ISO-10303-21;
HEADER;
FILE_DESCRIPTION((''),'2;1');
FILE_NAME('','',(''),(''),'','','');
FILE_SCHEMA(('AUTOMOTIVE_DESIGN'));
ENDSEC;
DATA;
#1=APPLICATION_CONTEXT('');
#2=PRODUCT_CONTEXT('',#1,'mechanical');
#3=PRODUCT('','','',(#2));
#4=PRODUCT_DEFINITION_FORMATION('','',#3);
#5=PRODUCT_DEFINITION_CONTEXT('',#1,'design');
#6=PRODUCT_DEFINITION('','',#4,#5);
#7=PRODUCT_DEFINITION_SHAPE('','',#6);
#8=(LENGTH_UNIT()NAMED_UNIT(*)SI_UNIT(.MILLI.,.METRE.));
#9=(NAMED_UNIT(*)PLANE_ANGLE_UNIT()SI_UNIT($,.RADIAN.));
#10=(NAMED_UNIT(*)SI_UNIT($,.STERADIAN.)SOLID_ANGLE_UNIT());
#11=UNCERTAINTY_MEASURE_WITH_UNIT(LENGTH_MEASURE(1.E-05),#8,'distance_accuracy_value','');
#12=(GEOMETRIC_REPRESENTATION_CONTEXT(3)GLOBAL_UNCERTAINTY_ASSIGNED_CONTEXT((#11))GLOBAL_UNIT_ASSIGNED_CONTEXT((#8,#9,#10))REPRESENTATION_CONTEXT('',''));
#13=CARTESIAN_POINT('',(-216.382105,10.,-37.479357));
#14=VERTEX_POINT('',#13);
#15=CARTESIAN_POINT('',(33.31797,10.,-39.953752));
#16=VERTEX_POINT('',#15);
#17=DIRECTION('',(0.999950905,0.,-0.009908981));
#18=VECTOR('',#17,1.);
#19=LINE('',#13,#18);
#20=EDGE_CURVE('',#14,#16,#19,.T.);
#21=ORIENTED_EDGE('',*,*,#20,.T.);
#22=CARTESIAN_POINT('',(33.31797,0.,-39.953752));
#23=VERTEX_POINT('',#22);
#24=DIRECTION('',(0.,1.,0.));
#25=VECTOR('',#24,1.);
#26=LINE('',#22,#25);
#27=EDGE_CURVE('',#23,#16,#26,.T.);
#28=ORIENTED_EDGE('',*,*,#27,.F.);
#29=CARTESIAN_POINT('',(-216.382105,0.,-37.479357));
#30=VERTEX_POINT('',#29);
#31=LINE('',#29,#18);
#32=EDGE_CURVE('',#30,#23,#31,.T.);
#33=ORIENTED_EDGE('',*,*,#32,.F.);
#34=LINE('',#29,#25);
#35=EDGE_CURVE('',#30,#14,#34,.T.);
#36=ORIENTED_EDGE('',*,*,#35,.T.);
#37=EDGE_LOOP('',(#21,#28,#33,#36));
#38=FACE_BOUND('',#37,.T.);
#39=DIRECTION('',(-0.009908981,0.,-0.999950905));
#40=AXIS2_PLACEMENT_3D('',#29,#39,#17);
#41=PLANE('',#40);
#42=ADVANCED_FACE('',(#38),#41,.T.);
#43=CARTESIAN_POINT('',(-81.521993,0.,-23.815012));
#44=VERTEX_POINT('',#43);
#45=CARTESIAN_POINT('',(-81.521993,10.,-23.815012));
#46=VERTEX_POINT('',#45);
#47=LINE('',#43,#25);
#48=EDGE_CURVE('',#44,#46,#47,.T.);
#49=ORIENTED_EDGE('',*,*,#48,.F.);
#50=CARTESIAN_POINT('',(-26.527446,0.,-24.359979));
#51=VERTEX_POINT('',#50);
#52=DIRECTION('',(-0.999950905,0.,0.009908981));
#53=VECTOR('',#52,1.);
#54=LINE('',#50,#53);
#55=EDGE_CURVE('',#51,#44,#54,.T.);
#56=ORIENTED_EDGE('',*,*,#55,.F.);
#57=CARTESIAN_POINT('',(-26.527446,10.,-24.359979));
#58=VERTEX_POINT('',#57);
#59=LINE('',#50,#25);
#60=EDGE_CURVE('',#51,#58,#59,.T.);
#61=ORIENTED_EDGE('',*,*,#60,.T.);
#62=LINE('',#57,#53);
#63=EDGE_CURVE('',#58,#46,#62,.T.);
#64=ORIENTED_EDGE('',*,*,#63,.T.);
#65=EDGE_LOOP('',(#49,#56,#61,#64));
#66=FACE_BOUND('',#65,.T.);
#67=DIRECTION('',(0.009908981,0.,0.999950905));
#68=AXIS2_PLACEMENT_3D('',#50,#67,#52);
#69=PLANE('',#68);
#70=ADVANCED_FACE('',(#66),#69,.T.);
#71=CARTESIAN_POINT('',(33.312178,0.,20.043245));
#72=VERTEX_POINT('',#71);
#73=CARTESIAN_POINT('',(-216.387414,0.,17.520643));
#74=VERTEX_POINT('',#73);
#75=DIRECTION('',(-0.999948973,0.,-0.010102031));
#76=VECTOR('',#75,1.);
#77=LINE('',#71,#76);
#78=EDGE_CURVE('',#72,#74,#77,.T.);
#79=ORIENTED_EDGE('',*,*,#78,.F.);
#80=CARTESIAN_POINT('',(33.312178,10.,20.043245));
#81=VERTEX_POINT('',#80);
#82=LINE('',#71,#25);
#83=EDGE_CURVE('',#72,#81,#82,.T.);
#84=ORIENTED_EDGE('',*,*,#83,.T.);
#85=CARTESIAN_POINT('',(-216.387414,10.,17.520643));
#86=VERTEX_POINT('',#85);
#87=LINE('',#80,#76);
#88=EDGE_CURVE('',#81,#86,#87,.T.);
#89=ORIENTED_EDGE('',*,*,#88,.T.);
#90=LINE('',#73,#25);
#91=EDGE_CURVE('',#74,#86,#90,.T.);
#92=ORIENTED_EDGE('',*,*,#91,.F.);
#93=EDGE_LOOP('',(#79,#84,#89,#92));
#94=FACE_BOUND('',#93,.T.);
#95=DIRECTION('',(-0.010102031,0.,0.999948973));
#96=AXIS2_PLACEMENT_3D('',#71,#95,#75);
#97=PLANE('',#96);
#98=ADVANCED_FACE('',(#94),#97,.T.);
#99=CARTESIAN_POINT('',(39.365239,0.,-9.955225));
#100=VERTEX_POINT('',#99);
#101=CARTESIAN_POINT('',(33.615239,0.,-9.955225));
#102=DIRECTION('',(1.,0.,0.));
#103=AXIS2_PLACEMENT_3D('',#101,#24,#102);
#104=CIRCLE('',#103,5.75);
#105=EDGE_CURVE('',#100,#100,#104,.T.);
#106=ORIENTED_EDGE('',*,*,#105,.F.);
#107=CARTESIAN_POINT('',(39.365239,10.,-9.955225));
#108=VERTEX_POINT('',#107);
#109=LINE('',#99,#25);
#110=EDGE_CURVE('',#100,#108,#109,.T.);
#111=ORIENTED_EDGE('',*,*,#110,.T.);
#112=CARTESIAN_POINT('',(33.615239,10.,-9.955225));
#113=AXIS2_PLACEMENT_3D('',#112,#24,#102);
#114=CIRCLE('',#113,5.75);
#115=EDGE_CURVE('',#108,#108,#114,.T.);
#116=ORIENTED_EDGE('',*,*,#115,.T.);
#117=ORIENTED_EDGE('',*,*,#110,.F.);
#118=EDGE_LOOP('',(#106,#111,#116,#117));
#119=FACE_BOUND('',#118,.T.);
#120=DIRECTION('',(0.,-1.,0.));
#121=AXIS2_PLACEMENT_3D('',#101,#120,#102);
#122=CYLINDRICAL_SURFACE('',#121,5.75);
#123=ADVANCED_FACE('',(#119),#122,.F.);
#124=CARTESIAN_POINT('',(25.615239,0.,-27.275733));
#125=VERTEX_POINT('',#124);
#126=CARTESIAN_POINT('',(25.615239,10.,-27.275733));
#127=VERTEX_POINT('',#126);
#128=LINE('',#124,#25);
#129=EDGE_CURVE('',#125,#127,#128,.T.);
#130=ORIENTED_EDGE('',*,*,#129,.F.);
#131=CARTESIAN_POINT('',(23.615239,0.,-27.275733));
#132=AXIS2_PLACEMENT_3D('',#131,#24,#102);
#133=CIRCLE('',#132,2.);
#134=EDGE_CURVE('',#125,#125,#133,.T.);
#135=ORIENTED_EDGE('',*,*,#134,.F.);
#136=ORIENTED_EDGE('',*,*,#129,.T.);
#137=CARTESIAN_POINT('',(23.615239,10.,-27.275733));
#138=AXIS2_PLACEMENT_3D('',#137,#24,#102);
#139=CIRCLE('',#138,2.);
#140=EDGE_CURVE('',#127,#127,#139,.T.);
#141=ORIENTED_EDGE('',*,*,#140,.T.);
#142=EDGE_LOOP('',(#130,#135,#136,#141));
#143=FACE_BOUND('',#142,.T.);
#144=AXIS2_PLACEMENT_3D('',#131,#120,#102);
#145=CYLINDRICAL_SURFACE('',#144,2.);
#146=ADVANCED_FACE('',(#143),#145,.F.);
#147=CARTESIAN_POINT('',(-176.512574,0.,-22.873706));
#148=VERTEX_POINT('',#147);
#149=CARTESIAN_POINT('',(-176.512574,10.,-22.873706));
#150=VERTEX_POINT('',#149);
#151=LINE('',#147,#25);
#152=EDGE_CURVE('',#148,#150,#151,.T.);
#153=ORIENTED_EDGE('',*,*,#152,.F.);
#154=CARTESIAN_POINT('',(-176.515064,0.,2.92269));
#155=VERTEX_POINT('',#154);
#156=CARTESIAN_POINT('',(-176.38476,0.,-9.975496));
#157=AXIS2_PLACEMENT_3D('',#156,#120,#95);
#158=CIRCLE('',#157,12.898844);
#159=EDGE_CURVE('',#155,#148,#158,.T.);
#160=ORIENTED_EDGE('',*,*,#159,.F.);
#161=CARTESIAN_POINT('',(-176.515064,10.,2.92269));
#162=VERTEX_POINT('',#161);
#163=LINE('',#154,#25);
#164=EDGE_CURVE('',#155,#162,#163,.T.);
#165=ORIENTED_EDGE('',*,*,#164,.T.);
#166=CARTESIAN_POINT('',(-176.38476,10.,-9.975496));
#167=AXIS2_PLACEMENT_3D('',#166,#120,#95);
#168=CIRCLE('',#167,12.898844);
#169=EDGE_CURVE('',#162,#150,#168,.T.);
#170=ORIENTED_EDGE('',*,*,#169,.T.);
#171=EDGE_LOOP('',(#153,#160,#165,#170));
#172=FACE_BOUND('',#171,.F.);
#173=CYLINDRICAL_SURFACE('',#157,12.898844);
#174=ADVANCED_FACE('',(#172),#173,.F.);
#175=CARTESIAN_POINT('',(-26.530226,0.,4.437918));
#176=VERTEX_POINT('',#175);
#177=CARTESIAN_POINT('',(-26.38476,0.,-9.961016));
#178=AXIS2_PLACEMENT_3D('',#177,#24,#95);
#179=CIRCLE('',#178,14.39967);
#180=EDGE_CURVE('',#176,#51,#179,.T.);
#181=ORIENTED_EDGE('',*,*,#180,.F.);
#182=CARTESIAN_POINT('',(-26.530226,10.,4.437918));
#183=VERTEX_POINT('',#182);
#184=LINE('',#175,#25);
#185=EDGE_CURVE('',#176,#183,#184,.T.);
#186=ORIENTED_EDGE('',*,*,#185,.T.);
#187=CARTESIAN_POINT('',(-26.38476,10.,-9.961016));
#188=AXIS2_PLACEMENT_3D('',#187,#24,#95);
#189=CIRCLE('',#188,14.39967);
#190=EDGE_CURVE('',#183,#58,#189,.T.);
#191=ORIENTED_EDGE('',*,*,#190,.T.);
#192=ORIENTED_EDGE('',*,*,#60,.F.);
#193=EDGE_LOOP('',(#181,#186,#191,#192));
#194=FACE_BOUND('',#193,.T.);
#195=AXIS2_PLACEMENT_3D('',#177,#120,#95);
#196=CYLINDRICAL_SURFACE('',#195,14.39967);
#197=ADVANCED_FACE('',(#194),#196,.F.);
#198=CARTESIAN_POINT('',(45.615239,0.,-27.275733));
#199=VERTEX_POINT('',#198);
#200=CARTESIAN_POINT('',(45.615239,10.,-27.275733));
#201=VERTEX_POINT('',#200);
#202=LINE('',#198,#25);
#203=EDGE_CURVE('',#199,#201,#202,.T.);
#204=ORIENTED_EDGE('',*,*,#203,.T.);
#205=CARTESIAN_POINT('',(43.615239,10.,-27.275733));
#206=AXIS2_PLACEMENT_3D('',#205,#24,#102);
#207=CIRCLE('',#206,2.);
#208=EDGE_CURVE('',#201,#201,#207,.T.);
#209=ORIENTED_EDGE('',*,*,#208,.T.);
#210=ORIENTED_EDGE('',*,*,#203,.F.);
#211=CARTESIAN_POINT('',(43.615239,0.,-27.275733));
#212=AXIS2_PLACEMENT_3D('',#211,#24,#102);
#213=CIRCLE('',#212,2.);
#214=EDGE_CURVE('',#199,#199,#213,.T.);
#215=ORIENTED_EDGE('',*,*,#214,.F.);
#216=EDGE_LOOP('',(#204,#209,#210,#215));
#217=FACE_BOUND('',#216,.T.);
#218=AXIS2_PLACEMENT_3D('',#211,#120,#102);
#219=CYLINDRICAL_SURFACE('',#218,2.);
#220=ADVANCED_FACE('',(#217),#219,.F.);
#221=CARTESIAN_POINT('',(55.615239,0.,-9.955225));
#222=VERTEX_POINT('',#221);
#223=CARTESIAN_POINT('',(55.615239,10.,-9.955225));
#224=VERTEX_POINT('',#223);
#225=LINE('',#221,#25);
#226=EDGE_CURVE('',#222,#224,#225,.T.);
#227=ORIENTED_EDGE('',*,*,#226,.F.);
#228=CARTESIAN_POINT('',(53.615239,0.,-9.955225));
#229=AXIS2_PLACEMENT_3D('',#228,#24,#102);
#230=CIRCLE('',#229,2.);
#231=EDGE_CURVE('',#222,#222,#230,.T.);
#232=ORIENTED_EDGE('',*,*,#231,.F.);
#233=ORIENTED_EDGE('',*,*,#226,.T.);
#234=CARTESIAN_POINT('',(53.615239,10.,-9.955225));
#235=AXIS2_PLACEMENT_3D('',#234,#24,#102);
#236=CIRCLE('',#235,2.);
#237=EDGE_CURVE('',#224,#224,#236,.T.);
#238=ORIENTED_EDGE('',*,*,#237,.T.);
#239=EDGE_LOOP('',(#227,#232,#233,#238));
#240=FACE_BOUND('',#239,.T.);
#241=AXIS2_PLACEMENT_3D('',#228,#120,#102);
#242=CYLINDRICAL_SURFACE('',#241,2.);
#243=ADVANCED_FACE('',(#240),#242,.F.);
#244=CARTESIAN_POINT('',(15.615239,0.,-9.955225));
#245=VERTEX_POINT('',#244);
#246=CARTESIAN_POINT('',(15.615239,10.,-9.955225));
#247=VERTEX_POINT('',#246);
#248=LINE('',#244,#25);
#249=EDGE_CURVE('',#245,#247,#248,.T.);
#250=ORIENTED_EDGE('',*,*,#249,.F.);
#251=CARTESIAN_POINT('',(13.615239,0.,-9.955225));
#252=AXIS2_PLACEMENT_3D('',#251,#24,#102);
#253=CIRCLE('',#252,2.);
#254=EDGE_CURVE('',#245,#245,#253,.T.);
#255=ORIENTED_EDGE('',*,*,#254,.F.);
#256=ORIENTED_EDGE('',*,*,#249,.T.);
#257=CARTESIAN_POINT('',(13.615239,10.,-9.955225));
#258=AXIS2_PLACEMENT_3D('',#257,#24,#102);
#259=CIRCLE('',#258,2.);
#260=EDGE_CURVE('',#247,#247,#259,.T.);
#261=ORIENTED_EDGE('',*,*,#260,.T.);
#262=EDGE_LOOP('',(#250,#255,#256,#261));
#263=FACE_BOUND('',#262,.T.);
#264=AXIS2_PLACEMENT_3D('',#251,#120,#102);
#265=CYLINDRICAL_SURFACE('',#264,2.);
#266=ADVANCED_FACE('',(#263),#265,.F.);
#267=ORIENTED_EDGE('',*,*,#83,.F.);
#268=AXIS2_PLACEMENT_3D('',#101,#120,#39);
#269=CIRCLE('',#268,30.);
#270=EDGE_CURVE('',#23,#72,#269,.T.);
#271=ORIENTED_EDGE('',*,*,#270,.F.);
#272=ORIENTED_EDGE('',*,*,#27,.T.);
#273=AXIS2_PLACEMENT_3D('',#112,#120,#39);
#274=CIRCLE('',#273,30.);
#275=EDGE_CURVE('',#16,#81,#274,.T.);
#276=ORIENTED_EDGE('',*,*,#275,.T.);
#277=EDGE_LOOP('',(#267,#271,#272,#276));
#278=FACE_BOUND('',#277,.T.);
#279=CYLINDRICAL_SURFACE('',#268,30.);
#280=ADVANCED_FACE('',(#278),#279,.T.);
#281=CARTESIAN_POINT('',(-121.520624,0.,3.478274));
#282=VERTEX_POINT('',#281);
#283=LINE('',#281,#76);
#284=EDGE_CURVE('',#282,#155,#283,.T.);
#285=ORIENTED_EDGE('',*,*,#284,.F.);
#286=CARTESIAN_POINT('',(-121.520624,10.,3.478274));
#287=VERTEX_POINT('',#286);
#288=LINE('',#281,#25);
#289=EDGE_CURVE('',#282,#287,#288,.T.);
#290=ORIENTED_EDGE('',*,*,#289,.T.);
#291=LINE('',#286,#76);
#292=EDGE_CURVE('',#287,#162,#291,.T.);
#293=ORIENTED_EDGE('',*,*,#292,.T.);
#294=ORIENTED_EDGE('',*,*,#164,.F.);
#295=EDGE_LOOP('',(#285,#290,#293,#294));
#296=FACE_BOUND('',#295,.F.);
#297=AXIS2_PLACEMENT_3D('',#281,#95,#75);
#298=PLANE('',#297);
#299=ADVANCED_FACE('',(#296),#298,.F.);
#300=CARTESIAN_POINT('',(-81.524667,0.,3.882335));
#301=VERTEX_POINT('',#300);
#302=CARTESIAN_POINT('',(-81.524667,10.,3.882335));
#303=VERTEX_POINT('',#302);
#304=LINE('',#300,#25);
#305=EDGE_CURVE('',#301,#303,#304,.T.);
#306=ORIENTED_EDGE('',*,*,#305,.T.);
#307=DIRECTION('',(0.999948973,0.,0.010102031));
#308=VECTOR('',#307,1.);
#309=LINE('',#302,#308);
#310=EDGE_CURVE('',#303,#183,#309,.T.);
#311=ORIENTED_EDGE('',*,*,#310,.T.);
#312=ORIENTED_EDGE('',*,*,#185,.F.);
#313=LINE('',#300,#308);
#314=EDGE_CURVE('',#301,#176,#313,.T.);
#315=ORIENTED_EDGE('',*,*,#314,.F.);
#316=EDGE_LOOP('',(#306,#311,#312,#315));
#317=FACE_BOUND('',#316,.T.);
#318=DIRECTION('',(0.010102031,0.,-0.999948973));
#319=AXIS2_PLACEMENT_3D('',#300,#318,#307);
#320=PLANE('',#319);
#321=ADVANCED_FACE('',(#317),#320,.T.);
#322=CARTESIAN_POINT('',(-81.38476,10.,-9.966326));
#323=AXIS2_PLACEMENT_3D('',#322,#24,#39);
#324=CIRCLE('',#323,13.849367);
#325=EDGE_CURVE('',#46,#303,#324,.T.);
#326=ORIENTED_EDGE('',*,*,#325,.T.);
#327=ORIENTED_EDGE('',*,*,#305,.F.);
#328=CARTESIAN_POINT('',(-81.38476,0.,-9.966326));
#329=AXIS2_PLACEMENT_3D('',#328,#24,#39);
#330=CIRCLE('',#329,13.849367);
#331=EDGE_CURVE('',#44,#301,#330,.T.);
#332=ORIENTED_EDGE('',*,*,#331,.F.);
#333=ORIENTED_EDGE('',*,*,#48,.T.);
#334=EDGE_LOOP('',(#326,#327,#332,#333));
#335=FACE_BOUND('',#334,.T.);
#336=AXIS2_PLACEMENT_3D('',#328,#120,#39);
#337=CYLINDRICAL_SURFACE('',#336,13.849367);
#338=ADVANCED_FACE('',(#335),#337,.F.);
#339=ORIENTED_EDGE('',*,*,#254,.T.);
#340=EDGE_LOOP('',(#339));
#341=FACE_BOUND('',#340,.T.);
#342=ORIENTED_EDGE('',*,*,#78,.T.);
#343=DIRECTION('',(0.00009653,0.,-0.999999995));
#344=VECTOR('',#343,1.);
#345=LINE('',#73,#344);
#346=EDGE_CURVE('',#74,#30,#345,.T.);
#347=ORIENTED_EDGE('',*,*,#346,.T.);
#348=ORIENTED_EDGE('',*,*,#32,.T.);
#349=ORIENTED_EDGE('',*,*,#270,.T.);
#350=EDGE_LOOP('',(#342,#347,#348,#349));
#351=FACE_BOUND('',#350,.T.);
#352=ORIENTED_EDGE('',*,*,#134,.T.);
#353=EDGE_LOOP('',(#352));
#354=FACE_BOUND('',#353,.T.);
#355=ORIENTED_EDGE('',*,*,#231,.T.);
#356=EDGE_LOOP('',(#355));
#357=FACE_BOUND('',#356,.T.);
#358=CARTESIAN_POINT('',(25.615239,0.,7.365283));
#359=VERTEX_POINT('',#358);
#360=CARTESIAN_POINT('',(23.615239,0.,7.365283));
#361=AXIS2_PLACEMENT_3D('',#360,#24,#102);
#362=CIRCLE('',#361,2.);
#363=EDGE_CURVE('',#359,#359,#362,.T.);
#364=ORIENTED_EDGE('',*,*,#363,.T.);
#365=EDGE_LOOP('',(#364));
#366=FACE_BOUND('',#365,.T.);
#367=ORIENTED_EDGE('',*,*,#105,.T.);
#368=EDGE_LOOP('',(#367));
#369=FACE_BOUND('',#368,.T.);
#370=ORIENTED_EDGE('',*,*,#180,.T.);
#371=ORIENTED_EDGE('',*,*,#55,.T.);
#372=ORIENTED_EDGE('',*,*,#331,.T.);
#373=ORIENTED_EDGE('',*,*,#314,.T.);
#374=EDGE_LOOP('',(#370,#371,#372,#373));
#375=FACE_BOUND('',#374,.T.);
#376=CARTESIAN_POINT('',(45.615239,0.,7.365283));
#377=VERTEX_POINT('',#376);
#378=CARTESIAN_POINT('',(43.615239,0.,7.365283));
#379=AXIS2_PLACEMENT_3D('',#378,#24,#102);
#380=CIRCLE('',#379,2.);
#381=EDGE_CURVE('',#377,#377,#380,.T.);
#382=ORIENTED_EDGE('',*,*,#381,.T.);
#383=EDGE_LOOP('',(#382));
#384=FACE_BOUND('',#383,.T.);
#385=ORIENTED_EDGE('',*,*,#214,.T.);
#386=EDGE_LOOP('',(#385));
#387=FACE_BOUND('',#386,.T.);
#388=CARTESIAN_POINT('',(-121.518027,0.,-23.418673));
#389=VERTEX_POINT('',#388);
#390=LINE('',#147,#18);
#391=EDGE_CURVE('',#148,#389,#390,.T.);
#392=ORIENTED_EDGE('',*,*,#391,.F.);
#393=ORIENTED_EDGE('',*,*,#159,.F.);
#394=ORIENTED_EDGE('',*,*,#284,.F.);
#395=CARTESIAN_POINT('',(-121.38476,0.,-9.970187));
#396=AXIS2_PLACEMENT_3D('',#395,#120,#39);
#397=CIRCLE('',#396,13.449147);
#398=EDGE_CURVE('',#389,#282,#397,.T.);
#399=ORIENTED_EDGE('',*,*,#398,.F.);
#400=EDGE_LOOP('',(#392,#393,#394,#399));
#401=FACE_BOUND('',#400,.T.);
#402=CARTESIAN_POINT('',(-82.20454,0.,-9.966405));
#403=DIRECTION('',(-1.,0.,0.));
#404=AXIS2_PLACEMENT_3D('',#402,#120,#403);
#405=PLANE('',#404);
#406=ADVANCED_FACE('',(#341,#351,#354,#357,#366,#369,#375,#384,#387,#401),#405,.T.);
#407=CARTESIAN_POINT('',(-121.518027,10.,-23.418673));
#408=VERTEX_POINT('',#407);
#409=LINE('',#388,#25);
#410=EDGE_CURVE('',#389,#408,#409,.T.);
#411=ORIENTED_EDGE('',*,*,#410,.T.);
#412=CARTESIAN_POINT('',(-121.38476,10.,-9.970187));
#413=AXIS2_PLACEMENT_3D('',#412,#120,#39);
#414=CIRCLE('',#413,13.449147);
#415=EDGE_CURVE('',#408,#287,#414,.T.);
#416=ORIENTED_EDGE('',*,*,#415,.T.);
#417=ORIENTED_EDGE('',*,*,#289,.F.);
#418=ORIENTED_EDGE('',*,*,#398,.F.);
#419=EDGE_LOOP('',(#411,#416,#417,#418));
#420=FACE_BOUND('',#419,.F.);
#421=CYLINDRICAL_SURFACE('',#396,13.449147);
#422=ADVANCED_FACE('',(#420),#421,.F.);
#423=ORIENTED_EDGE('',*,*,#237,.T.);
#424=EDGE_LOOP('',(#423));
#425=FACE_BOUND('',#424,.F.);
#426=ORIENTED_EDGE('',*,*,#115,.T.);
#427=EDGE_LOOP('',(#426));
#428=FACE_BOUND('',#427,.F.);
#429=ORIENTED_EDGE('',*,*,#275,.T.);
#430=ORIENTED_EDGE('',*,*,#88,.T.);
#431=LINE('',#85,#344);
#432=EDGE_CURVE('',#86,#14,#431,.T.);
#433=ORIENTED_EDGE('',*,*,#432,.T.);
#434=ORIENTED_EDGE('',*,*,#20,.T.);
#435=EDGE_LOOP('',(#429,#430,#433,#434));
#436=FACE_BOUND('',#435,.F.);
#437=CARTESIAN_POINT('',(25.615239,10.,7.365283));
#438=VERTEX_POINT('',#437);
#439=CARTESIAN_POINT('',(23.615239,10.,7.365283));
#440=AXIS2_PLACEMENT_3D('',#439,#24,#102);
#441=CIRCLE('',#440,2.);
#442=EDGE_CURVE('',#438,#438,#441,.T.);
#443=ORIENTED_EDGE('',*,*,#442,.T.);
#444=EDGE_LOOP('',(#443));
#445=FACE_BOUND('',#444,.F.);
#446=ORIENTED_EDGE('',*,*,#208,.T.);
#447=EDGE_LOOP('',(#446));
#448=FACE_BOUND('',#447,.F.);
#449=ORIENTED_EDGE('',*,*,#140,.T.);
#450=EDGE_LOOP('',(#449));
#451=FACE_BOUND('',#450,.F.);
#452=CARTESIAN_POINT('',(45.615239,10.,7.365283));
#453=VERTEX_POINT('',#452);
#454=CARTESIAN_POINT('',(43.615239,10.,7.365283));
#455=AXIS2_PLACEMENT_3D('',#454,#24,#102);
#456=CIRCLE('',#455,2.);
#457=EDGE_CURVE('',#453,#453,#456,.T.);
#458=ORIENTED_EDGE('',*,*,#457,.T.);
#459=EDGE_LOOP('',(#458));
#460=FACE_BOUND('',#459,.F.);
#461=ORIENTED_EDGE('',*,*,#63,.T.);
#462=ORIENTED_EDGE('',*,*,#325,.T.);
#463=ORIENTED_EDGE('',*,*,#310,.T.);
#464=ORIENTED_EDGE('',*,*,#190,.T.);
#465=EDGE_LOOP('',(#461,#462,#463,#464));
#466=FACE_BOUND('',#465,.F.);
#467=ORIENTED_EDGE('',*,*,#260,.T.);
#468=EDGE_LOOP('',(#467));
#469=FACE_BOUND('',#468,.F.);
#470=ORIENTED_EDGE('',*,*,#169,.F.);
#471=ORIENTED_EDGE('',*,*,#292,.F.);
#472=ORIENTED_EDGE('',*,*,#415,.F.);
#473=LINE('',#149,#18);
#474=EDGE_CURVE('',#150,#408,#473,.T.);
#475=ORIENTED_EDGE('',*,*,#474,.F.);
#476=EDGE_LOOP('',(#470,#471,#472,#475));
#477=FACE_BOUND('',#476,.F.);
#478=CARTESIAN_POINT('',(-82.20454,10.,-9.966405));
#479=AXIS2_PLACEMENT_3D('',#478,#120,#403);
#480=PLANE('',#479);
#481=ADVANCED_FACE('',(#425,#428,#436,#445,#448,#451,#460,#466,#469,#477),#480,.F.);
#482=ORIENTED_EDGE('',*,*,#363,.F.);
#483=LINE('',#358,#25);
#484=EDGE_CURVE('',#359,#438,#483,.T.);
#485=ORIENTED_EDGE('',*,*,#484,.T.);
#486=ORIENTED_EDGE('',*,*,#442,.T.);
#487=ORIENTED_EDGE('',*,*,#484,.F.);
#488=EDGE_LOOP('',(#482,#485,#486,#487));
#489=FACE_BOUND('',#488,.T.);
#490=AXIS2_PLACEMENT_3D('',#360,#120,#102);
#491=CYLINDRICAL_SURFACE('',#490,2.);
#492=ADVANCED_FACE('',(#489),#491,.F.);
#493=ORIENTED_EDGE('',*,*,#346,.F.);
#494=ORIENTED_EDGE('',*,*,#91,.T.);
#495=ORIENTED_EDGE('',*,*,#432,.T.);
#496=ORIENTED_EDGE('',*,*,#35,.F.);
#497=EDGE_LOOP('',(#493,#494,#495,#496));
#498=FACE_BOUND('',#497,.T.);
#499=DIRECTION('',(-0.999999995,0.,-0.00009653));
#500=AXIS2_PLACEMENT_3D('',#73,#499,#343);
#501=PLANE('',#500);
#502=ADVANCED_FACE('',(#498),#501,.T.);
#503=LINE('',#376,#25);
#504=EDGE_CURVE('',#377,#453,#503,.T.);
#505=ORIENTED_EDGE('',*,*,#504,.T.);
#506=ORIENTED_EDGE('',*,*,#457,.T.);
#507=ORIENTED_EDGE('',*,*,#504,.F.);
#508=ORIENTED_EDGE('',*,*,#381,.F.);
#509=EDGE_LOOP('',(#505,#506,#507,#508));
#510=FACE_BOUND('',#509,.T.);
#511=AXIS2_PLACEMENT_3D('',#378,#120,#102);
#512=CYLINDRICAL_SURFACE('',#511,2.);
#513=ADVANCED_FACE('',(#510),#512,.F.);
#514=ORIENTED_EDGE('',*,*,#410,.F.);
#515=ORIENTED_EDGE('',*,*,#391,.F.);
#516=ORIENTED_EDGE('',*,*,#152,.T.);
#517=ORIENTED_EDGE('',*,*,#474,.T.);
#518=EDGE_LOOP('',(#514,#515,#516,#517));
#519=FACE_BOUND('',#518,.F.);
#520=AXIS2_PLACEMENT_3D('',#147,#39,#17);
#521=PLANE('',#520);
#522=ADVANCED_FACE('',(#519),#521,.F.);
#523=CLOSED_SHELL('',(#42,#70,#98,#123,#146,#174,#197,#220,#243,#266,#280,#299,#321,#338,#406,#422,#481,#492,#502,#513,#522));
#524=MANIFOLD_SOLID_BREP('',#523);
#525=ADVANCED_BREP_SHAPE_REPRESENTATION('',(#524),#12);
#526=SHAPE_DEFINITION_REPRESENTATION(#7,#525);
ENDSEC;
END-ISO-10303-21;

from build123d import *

# Parameters (mm, degrees)
SKETCH1_R           = 5.75
SKETCH1_R_2         = 2
BOSS_EXTRUDE1_DEPTH = 10


with BuildPart() as part:
    # Sketch1 → Boss-Extrude1 (new body)
    with BuildSketch(Plane(origin=(0, 0, 0), x_dir=(1, 0, 0), z_dir=(0, 1, 0))):
        with BuildLine():
            Line((-216.382104852, 37.479356926), (33.317969978, 39.953751753))
            ThreePointArc((33.317969978, 39.953751753), (63.615239274, 9.952328714), (33.312178481, -20.043244588))
            Line((33.312178481, -20.043244588), (-216.38741399, -17.520642817))
            Line((-216.38741399, -17.520642817), (-216.382104852, 37.479356926))
        make_face()
        with Locations((33.615239414, 9.955224607)):
            Circle(SKETCH1_R, mode=Mode.SUBTRACT)
        with Locations((53.615239414, 9.955224607)):
            Circle(SKETCH1_R_2, mode=Mode.SUBTRACT)
        with Locations((43.615239414, -7.365283468)):
            Circle(SKETCH1_R_2, mode=Mode.SUBTRACT)
        with Locations((23.615239414, -7.365283468)):
            Circle(SKETCH1_R_2, mode=Mode.SUBTRACT)
        with Locations((13.615239414, 9.955224607)):
            Circle(SKETCH1_R_2, mode=Mode.SUBTRACT)
        with Locations((23.615239414, 27.275732683)):
            Circle(SKETCH1_R_2, mode=Mode.SUBTRACT)
        with Locations((43.615239414, 27.275732683)):
            Circle(SKETCH1_R_2, mode=Mode.SUBTRACT)
        with BuildLine():
            Line((-176.512574007, 22.873706291), (-121.518027204, 23.418672976))
            ThreePointArc((-121.518027204, 23.418672976), (-107.935613387, 9.968888481), (-121.52062356, -3.478273548))
            Line((-121.52062356, -3.478273548), (-176.515064128, -2.922689649))
            ThreePointArc((-176.515064128, -2.922689649), (-189.283603246, 9.976740986), (-176.512574007, 22.873706291))
        make_face(mode=Mode.SUBTRACT)
        with BuildLine():
            Line((-81.524666784, -3.882334565), (-26.530226217, -4.437918464))
            ThreePointArc((-26.530226217, -4.437918464), (-11.985090745, 9.959626398), (-26.527446362, 24.359979069))
            Line((-26.527446362, 24.359979069), (-81.521993165, 23.815012384))
            ThreePointArc((-81.521993165, 23.815012384), (-95.234126773, 9.967662409), (-81.524666784, -3.882334565))
        make_face(mode=Mode.SUBTRACT)
    extrude(amount=BOSS_EXTRUDE1_DEPTH)


solid = part.part
